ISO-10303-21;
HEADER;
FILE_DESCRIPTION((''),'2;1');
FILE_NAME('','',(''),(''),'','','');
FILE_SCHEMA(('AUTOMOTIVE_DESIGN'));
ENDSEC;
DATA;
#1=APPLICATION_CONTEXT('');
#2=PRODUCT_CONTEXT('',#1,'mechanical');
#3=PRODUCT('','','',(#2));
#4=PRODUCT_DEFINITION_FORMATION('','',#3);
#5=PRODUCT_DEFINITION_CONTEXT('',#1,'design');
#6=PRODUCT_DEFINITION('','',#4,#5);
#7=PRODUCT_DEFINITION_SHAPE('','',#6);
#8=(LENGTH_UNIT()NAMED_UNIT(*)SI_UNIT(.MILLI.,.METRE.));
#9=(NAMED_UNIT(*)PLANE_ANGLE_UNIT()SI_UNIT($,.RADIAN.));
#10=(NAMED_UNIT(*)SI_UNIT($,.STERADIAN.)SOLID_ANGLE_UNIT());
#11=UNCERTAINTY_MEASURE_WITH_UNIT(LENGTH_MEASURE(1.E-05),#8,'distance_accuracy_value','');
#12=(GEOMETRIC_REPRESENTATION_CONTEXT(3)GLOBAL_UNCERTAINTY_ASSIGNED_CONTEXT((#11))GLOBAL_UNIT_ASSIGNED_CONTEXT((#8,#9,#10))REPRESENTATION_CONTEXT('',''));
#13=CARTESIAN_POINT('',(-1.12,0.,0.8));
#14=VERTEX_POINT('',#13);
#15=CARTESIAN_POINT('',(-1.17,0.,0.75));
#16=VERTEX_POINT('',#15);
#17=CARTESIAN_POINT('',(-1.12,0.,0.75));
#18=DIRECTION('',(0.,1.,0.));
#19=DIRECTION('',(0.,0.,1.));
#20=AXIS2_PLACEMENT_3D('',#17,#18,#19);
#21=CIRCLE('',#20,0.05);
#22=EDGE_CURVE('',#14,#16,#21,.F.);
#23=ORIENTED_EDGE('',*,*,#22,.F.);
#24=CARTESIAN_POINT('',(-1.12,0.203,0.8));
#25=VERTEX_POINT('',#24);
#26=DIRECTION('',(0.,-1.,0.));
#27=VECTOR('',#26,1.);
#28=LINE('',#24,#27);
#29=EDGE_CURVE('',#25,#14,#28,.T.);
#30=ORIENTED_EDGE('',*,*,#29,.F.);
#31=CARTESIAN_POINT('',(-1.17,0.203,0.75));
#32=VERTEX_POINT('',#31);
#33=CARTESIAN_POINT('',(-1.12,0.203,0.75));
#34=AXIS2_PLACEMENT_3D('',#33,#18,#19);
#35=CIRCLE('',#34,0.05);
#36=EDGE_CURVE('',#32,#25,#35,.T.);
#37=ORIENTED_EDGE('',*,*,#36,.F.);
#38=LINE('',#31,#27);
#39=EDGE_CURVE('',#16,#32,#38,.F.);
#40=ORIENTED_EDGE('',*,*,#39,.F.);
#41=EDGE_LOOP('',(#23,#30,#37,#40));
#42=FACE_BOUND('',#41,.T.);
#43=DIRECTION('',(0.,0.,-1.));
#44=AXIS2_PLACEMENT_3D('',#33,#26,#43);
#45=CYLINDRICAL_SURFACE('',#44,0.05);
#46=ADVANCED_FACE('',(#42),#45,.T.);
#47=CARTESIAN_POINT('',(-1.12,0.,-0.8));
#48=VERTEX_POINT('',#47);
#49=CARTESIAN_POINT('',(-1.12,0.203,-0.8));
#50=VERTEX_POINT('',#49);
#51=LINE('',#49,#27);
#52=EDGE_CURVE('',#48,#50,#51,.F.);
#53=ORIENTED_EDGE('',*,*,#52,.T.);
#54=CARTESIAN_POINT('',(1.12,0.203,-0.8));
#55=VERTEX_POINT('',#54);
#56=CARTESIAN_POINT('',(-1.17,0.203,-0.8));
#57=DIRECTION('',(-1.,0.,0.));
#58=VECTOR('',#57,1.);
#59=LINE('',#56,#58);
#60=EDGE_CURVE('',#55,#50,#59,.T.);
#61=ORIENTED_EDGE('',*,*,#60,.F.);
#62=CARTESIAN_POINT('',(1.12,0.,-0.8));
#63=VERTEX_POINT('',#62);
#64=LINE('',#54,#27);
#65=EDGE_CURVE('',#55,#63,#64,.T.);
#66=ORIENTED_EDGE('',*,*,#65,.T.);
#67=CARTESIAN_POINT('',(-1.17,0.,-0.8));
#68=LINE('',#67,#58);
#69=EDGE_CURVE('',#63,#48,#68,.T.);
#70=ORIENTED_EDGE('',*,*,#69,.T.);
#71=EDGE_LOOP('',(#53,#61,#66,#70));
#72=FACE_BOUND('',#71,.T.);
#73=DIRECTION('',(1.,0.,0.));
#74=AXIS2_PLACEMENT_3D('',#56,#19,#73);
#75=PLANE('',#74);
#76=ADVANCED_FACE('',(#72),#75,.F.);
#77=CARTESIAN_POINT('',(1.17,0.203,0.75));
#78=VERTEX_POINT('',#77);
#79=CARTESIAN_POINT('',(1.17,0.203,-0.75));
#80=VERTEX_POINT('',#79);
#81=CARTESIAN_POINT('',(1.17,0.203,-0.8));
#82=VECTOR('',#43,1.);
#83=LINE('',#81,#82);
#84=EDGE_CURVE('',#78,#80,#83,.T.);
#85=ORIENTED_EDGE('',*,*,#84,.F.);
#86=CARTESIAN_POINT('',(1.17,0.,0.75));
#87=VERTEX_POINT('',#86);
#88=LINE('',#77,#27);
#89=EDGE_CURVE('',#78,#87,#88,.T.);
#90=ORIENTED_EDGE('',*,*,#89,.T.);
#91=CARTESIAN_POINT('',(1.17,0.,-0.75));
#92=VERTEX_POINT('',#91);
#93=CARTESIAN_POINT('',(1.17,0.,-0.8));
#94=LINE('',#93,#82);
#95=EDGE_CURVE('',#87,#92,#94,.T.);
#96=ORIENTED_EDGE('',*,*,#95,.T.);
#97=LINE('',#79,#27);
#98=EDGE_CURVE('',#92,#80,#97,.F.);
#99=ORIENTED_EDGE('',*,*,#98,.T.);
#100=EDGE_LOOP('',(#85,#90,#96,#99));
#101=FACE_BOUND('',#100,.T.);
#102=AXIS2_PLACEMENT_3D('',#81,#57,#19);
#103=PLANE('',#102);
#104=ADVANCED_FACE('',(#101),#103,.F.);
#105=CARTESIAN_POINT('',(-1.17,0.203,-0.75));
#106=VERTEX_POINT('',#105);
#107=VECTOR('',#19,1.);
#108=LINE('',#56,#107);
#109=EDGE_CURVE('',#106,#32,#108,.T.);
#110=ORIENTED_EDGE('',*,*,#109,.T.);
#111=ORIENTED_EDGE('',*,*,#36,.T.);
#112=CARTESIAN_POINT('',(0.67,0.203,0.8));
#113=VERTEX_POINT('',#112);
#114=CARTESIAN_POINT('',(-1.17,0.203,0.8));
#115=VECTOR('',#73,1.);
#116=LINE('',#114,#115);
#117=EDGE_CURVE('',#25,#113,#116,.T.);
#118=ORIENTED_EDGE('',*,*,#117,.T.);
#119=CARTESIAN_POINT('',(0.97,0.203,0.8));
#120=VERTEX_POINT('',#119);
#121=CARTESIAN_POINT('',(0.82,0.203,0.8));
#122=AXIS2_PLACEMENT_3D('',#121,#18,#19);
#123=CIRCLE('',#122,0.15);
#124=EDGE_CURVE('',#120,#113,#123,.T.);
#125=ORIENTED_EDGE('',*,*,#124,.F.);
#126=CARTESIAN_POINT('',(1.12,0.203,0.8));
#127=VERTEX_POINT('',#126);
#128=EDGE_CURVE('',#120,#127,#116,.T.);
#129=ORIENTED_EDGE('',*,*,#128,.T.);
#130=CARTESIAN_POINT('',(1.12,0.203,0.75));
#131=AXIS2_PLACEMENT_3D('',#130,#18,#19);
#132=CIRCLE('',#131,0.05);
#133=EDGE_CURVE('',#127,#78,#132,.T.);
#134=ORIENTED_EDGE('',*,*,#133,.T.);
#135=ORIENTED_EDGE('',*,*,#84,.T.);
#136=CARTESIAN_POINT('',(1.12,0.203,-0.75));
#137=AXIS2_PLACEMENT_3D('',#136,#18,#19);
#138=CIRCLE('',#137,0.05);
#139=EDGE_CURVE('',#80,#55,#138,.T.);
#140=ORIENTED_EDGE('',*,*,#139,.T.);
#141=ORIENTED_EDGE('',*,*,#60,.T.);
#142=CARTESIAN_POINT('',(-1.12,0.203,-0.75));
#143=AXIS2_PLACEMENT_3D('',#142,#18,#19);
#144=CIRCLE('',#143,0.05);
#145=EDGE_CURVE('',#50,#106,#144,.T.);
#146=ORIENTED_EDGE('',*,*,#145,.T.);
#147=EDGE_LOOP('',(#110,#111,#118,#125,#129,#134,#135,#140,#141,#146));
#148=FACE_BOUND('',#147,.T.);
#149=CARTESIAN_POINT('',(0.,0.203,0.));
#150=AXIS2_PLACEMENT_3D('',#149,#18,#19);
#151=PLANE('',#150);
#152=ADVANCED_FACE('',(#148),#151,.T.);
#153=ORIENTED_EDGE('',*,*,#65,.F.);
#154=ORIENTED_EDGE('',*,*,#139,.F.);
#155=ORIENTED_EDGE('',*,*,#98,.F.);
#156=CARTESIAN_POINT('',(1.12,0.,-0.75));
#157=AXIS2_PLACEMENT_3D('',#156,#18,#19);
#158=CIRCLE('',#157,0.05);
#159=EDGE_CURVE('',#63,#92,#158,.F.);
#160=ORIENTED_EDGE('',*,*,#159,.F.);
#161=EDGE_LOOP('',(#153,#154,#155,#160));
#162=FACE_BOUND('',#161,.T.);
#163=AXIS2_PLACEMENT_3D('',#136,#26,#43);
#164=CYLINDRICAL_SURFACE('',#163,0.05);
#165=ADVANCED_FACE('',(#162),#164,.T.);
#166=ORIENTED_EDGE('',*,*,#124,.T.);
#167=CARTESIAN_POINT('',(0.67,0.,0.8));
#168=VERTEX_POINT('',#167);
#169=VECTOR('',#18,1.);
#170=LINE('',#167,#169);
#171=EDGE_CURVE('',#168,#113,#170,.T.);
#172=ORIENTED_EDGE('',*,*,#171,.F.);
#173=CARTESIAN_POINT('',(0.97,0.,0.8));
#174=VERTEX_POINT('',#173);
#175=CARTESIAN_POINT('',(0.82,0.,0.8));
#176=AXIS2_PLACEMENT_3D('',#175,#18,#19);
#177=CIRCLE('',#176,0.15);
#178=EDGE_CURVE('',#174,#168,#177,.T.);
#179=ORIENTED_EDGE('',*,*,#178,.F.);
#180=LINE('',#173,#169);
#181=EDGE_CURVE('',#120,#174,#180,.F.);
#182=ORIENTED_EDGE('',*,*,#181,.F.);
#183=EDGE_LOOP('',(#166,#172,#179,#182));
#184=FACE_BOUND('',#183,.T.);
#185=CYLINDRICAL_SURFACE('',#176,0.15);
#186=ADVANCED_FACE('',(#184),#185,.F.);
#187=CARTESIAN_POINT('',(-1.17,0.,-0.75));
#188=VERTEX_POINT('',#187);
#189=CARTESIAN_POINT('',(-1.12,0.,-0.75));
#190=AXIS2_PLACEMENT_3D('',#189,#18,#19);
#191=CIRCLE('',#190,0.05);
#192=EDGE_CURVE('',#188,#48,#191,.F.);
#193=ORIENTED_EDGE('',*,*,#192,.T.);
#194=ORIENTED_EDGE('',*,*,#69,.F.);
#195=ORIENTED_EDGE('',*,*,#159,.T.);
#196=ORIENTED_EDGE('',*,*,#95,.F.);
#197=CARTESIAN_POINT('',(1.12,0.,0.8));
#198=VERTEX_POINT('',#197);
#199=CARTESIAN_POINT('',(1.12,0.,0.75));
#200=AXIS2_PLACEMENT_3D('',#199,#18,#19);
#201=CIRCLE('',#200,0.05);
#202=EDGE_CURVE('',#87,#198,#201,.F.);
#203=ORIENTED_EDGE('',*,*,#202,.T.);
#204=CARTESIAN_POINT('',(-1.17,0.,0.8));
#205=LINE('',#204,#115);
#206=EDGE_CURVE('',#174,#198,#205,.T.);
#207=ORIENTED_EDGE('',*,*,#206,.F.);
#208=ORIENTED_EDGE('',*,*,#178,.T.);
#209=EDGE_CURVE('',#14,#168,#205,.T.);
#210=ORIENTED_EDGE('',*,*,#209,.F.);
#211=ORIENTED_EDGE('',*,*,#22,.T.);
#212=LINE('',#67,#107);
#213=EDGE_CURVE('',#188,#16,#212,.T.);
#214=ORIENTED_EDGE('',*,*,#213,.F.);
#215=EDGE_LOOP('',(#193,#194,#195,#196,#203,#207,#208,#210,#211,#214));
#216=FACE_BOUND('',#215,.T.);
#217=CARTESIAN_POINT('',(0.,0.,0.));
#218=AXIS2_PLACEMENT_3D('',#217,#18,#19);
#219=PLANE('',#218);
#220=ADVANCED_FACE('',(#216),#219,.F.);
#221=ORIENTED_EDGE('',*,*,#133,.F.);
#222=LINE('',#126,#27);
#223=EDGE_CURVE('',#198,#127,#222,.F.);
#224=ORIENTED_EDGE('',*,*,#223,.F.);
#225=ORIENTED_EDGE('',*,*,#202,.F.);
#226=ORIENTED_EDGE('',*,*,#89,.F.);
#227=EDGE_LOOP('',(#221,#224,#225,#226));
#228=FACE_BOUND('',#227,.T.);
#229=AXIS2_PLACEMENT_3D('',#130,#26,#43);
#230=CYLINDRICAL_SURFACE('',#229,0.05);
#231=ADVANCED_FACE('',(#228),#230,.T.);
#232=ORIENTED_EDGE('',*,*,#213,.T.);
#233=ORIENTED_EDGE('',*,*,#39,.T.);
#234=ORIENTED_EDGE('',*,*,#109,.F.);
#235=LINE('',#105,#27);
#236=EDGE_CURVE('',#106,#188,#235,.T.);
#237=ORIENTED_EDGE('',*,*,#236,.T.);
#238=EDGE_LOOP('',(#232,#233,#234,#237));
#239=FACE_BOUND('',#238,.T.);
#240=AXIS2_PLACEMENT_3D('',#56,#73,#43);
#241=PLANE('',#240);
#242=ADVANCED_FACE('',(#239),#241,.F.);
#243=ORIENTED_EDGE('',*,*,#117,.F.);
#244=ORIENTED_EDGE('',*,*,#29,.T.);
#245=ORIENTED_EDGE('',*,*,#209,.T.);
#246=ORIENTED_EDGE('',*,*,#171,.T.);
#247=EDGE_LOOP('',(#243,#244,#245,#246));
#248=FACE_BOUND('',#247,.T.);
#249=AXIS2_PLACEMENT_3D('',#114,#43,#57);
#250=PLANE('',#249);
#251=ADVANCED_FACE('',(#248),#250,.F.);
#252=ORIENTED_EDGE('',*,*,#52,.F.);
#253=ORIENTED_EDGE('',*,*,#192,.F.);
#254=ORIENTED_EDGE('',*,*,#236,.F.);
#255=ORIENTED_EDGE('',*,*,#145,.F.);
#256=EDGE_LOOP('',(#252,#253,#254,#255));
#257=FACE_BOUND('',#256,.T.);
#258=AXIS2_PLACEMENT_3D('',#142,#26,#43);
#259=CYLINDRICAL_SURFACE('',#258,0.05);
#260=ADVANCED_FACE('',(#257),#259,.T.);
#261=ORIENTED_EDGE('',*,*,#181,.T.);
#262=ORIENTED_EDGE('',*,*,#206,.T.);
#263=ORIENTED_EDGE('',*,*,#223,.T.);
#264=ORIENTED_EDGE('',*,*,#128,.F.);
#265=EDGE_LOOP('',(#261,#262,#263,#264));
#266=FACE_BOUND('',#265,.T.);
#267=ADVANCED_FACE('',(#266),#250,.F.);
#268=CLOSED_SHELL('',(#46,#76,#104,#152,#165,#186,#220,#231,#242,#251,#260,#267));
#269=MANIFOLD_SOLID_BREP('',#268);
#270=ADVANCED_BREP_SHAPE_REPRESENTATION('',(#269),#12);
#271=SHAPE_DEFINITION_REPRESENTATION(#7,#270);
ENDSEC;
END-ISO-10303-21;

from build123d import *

# Parameters (mm, degrees)
SKETCH1_W           = 2.34
SKETCH1_H           = 1.6
BOSS_EXTRUDE1_DEPTH = 0.203
FILLET1_R           = 0.05
SKETCH2_R           = 0.15
CUT_EXTRUDE1_DEPTH  = 1.203


with BuildPart() as part:
    # Sketch1 → Boss-Extrude1 (new body)
    with BuildSketch(Plane(origin=(0, 0, 0), x_dir=(1, 0, 0), z_dir=(0, 1, 0))):
        Rectangle(SKETCH1_W, SKETCH1_H)
    extrude(amount=BOSS_EXTRUDE1_DEPTH)

    # Fillet1
    fillet1_edges = [part.edges().sort_by_distance(p)[0] for p in [
        (1.17, 0.1015, 0.8),
        (-1.17, 0.1015, 0.8),
        (-1.17, 0.1015, -0.8),
        (1.17, 0.1015, -0.8),
    ]]
    fillet(fillet1_edges, radius=FILLET1_R)

    # Sketch2 → Cut-Extrude1 (cut, through all)
    with BuildSketch(Plane(origin=(0, 0.203, 0), x_dir=(1, 0, 0), z_dir=(0, 1, 0))):
        with Locations((0.82, -0.8)):
            Circle(SKETCH2_R)
    extrude(amount=-CUT_EXTRUDE1_DEPTH, mode=Mode.SUBTRACT)


solid = part.part
